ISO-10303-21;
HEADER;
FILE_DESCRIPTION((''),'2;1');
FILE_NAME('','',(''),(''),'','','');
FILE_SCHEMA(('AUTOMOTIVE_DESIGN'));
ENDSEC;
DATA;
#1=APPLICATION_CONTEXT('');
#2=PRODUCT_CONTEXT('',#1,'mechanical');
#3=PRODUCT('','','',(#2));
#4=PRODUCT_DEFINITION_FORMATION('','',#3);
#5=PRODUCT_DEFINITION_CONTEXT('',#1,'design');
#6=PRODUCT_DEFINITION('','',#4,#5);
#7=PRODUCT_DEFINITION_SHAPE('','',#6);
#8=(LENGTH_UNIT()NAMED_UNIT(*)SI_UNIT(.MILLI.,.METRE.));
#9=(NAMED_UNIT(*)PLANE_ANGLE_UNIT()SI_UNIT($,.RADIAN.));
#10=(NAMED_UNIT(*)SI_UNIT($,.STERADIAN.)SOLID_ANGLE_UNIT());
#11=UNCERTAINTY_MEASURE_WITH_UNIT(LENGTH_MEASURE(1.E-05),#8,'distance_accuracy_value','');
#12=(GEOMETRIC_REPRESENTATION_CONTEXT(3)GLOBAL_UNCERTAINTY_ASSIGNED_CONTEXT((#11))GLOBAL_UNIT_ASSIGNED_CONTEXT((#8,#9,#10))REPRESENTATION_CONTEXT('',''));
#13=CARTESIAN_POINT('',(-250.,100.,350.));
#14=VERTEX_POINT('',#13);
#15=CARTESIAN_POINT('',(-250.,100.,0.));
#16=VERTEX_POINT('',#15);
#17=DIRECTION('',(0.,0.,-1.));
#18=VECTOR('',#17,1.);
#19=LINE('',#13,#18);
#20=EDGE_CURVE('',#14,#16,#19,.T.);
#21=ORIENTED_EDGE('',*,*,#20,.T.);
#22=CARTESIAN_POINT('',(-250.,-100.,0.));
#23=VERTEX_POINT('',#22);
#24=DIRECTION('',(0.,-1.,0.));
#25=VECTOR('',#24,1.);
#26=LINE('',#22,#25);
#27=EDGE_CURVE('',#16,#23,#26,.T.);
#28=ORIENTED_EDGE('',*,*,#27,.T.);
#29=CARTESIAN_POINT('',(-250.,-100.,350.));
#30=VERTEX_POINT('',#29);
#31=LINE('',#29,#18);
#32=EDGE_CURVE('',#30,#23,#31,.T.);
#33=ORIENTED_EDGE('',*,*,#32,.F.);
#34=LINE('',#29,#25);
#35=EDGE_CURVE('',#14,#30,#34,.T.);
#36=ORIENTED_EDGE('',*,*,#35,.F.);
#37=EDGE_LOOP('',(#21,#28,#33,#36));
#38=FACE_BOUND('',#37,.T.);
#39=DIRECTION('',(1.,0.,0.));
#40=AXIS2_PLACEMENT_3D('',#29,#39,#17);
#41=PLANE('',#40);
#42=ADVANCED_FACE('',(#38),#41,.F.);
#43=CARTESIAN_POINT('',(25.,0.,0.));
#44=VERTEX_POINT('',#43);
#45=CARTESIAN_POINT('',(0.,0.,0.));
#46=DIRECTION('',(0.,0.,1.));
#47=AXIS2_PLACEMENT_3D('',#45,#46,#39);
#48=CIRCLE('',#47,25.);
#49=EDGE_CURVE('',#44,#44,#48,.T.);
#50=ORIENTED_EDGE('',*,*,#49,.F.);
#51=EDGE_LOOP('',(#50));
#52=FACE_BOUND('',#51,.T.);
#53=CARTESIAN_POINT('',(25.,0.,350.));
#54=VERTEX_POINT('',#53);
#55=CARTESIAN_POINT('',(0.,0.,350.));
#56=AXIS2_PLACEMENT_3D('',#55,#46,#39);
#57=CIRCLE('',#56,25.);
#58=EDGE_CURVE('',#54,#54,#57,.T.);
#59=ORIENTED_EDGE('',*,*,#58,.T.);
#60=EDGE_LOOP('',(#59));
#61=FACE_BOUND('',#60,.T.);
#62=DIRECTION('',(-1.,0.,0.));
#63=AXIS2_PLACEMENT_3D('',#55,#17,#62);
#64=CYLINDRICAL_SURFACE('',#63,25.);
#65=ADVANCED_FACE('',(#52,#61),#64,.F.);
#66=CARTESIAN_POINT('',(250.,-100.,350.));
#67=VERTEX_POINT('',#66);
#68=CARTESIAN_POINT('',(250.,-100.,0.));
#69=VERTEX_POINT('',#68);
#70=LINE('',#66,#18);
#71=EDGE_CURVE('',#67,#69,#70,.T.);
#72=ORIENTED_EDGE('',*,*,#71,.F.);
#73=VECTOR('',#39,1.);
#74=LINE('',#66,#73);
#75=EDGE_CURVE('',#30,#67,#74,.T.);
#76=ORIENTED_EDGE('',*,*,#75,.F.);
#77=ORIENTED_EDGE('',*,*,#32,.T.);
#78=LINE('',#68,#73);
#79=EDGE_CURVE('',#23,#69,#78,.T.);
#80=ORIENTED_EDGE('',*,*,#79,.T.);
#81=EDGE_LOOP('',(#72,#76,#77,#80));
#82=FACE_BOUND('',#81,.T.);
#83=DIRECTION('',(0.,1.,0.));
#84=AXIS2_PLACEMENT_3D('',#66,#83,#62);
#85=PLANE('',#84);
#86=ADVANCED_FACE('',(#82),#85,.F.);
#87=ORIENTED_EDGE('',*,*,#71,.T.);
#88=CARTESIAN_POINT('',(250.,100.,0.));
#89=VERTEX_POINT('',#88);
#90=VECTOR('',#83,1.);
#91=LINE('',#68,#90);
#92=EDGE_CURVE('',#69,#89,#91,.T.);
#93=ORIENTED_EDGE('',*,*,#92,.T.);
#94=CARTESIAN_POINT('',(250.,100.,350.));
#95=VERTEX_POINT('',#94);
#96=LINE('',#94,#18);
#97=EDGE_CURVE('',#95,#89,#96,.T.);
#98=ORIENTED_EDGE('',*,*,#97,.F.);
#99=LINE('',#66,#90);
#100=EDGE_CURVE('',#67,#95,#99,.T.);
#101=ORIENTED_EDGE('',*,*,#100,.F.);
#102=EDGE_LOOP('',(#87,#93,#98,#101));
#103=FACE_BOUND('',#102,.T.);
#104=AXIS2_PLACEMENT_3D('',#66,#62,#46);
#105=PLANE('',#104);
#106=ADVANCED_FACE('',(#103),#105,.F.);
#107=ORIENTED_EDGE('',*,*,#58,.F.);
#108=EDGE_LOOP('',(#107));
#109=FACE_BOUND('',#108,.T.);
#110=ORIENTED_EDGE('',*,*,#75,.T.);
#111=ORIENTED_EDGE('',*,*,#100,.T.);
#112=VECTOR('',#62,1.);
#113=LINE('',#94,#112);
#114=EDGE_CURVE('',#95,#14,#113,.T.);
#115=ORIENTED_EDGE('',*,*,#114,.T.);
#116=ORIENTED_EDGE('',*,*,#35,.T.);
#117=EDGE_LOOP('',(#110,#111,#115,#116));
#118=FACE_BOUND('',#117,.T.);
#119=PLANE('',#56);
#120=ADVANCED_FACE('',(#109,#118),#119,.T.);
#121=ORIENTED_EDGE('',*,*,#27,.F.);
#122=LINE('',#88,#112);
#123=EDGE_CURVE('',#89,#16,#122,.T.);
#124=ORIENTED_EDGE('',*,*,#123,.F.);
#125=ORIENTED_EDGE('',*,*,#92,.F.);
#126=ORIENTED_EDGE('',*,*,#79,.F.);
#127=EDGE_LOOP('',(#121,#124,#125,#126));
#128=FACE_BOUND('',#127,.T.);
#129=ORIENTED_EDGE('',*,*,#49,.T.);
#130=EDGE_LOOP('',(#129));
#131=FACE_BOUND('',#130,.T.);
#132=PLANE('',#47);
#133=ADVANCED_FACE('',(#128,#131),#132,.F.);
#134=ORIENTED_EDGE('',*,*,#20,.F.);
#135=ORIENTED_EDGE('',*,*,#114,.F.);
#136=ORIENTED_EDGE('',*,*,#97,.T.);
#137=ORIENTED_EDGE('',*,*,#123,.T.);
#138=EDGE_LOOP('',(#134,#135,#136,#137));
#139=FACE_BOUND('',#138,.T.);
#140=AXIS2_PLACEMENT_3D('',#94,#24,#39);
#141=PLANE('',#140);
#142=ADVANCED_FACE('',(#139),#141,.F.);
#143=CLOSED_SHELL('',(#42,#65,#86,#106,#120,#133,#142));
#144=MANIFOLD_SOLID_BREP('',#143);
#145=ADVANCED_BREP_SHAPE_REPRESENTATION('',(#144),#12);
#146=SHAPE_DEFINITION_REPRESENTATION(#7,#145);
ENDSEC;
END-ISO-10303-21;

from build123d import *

# Parameters (mm, degrees)
SKETCH1_W           = 500
SKETCH1_H           = 200
SKETCH1_R           = 25
BOSS_EXTRUDE1_DEPTH = 350


with BuildPart() as part:
    # Sketch1 → Boss-Extrude1 (new body)
    with BuildSketch(Plane.XY):
        Rectangle(SKETCH1_W, SKETCH1_H)
        Circle(SKETCH1_R, mode=Mode.SUBTRACT)
    extrude(amount=BOSS_EXTRUDE1_DEPTH)


solid = part.part
